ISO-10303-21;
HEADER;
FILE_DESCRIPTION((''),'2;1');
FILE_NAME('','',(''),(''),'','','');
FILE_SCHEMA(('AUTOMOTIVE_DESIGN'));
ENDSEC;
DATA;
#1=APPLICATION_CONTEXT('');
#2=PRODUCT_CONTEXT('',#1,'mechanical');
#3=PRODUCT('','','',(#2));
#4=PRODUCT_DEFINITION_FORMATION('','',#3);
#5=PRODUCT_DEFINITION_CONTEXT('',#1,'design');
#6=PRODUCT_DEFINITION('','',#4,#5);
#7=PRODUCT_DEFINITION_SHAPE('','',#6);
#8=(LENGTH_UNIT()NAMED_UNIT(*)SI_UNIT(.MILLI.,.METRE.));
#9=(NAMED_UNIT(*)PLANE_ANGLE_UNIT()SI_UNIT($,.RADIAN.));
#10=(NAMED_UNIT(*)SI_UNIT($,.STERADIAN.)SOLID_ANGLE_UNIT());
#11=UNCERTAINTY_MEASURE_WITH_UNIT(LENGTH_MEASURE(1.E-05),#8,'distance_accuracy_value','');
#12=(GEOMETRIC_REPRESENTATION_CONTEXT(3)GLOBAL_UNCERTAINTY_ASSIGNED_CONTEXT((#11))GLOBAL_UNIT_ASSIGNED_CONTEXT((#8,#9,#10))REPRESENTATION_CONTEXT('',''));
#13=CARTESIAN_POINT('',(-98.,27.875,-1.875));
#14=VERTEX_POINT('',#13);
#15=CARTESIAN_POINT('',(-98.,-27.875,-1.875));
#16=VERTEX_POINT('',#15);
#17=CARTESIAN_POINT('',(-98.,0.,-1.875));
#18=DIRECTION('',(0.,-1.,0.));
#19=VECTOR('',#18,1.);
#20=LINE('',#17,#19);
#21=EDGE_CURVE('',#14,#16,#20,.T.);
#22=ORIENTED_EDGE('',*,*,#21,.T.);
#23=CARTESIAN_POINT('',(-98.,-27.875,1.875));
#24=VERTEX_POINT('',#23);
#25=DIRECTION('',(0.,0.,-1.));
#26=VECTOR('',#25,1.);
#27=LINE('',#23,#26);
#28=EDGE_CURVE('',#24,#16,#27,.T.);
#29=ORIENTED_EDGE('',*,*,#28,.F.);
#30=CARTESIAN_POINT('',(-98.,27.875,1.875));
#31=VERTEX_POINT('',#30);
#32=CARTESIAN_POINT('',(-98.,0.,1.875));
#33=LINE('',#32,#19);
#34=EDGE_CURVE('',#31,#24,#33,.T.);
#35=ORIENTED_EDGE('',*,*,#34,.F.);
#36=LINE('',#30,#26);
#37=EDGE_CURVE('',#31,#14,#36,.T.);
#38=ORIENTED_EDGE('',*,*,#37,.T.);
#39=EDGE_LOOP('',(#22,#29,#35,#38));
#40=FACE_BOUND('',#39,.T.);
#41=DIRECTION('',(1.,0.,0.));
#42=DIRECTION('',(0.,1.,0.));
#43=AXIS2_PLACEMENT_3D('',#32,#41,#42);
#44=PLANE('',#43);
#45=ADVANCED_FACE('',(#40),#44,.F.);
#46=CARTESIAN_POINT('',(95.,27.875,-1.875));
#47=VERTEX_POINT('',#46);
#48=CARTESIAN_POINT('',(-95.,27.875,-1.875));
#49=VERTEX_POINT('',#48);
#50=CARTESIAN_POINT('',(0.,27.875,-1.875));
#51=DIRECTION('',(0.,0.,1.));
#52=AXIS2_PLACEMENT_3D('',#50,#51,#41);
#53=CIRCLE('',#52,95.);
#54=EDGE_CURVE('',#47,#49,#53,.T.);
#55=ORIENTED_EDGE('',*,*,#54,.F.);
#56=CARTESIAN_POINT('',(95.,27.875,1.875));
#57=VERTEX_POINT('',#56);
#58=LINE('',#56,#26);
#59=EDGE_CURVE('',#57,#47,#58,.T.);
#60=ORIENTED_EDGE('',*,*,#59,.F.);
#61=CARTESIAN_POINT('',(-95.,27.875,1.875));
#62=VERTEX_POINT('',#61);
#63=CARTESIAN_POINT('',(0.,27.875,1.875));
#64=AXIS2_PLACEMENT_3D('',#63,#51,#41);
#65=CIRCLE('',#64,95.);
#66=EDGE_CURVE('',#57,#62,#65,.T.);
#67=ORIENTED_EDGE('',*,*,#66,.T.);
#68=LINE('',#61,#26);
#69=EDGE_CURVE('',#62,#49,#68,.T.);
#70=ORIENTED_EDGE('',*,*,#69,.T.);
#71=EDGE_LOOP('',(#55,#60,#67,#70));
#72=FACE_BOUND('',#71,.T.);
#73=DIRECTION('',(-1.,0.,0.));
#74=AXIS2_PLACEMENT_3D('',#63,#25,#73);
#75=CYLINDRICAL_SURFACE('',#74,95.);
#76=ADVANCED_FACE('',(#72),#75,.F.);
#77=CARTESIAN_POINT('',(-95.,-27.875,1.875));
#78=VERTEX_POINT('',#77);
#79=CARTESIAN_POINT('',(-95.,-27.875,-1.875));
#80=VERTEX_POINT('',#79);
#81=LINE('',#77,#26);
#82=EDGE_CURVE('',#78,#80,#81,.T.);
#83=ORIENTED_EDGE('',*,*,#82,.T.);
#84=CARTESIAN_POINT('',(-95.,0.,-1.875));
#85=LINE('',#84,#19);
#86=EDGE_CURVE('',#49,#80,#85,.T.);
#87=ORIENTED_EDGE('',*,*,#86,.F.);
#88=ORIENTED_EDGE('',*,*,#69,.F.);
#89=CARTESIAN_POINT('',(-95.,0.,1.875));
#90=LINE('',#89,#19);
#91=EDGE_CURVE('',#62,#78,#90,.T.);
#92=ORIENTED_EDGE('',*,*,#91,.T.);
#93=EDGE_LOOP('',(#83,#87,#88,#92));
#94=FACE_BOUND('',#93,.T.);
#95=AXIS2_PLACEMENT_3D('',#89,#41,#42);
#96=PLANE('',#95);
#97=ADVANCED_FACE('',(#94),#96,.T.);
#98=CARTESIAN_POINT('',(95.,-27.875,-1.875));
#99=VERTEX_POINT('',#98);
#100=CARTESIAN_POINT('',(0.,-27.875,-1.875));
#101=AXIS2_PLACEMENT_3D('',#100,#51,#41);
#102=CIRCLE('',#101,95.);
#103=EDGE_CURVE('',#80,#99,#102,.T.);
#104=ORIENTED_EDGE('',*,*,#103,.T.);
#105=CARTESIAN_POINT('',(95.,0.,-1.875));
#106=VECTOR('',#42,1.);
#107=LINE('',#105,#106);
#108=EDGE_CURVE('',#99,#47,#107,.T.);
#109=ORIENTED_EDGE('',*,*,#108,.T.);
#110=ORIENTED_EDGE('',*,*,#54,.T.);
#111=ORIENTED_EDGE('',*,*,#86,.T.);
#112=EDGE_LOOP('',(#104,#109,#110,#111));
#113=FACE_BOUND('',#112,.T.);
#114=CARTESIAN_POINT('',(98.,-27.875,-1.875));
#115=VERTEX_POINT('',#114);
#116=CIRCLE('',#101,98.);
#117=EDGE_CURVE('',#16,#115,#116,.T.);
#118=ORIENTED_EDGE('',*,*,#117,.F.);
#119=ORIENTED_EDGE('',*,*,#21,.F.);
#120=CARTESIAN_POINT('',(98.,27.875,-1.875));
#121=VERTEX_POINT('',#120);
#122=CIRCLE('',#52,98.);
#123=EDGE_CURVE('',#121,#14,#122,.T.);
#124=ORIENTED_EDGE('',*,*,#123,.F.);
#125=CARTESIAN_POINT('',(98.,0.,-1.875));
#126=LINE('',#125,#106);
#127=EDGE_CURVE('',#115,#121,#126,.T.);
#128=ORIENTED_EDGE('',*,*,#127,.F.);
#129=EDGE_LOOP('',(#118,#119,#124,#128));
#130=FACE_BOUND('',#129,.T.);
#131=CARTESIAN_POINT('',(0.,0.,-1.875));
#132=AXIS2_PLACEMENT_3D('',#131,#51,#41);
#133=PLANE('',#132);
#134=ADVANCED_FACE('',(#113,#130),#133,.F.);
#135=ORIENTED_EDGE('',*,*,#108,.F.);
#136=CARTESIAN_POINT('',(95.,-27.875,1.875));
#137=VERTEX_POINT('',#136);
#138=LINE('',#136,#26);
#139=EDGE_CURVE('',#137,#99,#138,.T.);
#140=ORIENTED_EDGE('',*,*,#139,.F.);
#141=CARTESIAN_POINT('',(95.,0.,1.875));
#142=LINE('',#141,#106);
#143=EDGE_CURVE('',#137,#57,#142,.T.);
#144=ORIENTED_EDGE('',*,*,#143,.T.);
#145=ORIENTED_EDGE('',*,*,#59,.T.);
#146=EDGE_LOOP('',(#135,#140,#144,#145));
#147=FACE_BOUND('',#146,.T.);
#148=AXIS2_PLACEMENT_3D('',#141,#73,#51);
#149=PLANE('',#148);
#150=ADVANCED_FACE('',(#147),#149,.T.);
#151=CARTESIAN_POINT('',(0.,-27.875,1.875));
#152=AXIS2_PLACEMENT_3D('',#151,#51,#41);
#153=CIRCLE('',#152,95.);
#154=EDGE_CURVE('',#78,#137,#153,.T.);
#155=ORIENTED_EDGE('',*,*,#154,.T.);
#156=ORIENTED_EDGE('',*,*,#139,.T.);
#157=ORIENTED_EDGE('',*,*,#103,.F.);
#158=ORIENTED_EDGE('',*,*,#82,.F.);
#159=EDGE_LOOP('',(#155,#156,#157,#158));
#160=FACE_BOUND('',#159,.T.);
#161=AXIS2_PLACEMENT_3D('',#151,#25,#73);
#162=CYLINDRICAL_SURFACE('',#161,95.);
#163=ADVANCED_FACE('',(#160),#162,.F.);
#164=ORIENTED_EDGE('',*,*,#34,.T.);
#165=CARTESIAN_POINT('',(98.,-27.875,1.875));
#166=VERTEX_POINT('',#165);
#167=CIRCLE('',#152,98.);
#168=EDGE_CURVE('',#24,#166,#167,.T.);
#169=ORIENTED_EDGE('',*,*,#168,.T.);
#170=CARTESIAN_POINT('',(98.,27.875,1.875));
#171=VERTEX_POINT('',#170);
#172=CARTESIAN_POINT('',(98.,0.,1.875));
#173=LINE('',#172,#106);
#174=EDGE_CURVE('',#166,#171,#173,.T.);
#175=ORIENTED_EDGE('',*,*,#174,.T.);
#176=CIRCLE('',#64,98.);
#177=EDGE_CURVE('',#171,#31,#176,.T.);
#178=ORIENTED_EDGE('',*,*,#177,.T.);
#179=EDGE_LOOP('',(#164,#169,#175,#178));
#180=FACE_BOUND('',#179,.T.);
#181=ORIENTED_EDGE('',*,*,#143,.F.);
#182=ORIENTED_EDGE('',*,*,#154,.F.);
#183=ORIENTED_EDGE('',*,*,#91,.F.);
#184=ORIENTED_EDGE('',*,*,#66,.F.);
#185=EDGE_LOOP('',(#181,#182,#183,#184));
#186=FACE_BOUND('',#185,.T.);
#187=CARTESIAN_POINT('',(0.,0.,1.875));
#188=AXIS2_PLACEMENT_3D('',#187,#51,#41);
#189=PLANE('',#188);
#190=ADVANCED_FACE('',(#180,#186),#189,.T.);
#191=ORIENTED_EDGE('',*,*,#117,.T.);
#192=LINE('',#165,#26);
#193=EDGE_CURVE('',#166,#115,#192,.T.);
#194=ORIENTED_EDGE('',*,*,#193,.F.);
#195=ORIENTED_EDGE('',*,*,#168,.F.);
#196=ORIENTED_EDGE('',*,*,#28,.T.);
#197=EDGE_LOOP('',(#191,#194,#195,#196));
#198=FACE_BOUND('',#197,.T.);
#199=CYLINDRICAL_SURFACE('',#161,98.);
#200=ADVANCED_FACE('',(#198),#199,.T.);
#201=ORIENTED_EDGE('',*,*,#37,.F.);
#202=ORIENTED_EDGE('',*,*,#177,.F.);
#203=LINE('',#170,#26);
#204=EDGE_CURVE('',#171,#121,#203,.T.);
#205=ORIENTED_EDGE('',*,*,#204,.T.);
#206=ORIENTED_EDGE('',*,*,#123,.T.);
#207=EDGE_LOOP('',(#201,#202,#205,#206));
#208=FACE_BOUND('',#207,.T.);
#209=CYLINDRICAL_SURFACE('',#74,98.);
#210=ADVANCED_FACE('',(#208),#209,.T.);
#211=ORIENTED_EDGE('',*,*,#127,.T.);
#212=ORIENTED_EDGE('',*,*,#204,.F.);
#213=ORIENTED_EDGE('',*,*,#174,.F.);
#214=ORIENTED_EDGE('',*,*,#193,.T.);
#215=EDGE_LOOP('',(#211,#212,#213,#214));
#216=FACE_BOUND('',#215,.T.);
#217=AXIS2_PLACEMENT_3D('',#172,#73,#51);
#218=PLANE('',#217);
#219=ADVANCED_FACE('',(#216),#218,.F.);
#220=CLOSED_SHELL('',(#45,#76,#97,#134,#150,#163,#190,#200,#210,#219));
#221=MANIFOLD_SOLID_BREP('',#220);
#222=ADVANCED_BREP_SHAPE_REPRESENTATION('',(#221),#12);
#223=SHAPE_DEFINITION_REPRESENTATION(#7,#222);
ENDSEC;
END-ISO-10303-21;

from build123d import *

# Parameters (mm, degrees)
BOSS_EXTRUDE1_DEPTH = 1.875


with BuildPart() as part:
    # Sketch1 → Boss-Extrude1 (new, symmetric)
    with BuildSketch(Plane.XY):
        with BuildLine():
            Line((-98, 27.875), (-98, -27.875))
            ThreePointArc((-98, -27.875), (0, -125.875), (98, -27.875))
            Line((98, -27.875), (98, 27.875))
            ThreePointArc((98, 27.875), (0, 125.875), (-98, 27.875))
        make_face()
        with BuildLine():
            Line((95, -27.875), (95, 27.875))
            ThreePointArc((95, 27.875), (0, 122.875), (-95, 27.875))
            Line((-95, 27.875), (-95, -27.875))
            ThreePointArc((-95, -27.875), (0, -122.875), (95, -27.875))
        make_face(mode=Mode.SUBTRACT)
    extrude(amount=BOSS_EXTRUDE1_DEPTH, both=True)


solid = part.part
